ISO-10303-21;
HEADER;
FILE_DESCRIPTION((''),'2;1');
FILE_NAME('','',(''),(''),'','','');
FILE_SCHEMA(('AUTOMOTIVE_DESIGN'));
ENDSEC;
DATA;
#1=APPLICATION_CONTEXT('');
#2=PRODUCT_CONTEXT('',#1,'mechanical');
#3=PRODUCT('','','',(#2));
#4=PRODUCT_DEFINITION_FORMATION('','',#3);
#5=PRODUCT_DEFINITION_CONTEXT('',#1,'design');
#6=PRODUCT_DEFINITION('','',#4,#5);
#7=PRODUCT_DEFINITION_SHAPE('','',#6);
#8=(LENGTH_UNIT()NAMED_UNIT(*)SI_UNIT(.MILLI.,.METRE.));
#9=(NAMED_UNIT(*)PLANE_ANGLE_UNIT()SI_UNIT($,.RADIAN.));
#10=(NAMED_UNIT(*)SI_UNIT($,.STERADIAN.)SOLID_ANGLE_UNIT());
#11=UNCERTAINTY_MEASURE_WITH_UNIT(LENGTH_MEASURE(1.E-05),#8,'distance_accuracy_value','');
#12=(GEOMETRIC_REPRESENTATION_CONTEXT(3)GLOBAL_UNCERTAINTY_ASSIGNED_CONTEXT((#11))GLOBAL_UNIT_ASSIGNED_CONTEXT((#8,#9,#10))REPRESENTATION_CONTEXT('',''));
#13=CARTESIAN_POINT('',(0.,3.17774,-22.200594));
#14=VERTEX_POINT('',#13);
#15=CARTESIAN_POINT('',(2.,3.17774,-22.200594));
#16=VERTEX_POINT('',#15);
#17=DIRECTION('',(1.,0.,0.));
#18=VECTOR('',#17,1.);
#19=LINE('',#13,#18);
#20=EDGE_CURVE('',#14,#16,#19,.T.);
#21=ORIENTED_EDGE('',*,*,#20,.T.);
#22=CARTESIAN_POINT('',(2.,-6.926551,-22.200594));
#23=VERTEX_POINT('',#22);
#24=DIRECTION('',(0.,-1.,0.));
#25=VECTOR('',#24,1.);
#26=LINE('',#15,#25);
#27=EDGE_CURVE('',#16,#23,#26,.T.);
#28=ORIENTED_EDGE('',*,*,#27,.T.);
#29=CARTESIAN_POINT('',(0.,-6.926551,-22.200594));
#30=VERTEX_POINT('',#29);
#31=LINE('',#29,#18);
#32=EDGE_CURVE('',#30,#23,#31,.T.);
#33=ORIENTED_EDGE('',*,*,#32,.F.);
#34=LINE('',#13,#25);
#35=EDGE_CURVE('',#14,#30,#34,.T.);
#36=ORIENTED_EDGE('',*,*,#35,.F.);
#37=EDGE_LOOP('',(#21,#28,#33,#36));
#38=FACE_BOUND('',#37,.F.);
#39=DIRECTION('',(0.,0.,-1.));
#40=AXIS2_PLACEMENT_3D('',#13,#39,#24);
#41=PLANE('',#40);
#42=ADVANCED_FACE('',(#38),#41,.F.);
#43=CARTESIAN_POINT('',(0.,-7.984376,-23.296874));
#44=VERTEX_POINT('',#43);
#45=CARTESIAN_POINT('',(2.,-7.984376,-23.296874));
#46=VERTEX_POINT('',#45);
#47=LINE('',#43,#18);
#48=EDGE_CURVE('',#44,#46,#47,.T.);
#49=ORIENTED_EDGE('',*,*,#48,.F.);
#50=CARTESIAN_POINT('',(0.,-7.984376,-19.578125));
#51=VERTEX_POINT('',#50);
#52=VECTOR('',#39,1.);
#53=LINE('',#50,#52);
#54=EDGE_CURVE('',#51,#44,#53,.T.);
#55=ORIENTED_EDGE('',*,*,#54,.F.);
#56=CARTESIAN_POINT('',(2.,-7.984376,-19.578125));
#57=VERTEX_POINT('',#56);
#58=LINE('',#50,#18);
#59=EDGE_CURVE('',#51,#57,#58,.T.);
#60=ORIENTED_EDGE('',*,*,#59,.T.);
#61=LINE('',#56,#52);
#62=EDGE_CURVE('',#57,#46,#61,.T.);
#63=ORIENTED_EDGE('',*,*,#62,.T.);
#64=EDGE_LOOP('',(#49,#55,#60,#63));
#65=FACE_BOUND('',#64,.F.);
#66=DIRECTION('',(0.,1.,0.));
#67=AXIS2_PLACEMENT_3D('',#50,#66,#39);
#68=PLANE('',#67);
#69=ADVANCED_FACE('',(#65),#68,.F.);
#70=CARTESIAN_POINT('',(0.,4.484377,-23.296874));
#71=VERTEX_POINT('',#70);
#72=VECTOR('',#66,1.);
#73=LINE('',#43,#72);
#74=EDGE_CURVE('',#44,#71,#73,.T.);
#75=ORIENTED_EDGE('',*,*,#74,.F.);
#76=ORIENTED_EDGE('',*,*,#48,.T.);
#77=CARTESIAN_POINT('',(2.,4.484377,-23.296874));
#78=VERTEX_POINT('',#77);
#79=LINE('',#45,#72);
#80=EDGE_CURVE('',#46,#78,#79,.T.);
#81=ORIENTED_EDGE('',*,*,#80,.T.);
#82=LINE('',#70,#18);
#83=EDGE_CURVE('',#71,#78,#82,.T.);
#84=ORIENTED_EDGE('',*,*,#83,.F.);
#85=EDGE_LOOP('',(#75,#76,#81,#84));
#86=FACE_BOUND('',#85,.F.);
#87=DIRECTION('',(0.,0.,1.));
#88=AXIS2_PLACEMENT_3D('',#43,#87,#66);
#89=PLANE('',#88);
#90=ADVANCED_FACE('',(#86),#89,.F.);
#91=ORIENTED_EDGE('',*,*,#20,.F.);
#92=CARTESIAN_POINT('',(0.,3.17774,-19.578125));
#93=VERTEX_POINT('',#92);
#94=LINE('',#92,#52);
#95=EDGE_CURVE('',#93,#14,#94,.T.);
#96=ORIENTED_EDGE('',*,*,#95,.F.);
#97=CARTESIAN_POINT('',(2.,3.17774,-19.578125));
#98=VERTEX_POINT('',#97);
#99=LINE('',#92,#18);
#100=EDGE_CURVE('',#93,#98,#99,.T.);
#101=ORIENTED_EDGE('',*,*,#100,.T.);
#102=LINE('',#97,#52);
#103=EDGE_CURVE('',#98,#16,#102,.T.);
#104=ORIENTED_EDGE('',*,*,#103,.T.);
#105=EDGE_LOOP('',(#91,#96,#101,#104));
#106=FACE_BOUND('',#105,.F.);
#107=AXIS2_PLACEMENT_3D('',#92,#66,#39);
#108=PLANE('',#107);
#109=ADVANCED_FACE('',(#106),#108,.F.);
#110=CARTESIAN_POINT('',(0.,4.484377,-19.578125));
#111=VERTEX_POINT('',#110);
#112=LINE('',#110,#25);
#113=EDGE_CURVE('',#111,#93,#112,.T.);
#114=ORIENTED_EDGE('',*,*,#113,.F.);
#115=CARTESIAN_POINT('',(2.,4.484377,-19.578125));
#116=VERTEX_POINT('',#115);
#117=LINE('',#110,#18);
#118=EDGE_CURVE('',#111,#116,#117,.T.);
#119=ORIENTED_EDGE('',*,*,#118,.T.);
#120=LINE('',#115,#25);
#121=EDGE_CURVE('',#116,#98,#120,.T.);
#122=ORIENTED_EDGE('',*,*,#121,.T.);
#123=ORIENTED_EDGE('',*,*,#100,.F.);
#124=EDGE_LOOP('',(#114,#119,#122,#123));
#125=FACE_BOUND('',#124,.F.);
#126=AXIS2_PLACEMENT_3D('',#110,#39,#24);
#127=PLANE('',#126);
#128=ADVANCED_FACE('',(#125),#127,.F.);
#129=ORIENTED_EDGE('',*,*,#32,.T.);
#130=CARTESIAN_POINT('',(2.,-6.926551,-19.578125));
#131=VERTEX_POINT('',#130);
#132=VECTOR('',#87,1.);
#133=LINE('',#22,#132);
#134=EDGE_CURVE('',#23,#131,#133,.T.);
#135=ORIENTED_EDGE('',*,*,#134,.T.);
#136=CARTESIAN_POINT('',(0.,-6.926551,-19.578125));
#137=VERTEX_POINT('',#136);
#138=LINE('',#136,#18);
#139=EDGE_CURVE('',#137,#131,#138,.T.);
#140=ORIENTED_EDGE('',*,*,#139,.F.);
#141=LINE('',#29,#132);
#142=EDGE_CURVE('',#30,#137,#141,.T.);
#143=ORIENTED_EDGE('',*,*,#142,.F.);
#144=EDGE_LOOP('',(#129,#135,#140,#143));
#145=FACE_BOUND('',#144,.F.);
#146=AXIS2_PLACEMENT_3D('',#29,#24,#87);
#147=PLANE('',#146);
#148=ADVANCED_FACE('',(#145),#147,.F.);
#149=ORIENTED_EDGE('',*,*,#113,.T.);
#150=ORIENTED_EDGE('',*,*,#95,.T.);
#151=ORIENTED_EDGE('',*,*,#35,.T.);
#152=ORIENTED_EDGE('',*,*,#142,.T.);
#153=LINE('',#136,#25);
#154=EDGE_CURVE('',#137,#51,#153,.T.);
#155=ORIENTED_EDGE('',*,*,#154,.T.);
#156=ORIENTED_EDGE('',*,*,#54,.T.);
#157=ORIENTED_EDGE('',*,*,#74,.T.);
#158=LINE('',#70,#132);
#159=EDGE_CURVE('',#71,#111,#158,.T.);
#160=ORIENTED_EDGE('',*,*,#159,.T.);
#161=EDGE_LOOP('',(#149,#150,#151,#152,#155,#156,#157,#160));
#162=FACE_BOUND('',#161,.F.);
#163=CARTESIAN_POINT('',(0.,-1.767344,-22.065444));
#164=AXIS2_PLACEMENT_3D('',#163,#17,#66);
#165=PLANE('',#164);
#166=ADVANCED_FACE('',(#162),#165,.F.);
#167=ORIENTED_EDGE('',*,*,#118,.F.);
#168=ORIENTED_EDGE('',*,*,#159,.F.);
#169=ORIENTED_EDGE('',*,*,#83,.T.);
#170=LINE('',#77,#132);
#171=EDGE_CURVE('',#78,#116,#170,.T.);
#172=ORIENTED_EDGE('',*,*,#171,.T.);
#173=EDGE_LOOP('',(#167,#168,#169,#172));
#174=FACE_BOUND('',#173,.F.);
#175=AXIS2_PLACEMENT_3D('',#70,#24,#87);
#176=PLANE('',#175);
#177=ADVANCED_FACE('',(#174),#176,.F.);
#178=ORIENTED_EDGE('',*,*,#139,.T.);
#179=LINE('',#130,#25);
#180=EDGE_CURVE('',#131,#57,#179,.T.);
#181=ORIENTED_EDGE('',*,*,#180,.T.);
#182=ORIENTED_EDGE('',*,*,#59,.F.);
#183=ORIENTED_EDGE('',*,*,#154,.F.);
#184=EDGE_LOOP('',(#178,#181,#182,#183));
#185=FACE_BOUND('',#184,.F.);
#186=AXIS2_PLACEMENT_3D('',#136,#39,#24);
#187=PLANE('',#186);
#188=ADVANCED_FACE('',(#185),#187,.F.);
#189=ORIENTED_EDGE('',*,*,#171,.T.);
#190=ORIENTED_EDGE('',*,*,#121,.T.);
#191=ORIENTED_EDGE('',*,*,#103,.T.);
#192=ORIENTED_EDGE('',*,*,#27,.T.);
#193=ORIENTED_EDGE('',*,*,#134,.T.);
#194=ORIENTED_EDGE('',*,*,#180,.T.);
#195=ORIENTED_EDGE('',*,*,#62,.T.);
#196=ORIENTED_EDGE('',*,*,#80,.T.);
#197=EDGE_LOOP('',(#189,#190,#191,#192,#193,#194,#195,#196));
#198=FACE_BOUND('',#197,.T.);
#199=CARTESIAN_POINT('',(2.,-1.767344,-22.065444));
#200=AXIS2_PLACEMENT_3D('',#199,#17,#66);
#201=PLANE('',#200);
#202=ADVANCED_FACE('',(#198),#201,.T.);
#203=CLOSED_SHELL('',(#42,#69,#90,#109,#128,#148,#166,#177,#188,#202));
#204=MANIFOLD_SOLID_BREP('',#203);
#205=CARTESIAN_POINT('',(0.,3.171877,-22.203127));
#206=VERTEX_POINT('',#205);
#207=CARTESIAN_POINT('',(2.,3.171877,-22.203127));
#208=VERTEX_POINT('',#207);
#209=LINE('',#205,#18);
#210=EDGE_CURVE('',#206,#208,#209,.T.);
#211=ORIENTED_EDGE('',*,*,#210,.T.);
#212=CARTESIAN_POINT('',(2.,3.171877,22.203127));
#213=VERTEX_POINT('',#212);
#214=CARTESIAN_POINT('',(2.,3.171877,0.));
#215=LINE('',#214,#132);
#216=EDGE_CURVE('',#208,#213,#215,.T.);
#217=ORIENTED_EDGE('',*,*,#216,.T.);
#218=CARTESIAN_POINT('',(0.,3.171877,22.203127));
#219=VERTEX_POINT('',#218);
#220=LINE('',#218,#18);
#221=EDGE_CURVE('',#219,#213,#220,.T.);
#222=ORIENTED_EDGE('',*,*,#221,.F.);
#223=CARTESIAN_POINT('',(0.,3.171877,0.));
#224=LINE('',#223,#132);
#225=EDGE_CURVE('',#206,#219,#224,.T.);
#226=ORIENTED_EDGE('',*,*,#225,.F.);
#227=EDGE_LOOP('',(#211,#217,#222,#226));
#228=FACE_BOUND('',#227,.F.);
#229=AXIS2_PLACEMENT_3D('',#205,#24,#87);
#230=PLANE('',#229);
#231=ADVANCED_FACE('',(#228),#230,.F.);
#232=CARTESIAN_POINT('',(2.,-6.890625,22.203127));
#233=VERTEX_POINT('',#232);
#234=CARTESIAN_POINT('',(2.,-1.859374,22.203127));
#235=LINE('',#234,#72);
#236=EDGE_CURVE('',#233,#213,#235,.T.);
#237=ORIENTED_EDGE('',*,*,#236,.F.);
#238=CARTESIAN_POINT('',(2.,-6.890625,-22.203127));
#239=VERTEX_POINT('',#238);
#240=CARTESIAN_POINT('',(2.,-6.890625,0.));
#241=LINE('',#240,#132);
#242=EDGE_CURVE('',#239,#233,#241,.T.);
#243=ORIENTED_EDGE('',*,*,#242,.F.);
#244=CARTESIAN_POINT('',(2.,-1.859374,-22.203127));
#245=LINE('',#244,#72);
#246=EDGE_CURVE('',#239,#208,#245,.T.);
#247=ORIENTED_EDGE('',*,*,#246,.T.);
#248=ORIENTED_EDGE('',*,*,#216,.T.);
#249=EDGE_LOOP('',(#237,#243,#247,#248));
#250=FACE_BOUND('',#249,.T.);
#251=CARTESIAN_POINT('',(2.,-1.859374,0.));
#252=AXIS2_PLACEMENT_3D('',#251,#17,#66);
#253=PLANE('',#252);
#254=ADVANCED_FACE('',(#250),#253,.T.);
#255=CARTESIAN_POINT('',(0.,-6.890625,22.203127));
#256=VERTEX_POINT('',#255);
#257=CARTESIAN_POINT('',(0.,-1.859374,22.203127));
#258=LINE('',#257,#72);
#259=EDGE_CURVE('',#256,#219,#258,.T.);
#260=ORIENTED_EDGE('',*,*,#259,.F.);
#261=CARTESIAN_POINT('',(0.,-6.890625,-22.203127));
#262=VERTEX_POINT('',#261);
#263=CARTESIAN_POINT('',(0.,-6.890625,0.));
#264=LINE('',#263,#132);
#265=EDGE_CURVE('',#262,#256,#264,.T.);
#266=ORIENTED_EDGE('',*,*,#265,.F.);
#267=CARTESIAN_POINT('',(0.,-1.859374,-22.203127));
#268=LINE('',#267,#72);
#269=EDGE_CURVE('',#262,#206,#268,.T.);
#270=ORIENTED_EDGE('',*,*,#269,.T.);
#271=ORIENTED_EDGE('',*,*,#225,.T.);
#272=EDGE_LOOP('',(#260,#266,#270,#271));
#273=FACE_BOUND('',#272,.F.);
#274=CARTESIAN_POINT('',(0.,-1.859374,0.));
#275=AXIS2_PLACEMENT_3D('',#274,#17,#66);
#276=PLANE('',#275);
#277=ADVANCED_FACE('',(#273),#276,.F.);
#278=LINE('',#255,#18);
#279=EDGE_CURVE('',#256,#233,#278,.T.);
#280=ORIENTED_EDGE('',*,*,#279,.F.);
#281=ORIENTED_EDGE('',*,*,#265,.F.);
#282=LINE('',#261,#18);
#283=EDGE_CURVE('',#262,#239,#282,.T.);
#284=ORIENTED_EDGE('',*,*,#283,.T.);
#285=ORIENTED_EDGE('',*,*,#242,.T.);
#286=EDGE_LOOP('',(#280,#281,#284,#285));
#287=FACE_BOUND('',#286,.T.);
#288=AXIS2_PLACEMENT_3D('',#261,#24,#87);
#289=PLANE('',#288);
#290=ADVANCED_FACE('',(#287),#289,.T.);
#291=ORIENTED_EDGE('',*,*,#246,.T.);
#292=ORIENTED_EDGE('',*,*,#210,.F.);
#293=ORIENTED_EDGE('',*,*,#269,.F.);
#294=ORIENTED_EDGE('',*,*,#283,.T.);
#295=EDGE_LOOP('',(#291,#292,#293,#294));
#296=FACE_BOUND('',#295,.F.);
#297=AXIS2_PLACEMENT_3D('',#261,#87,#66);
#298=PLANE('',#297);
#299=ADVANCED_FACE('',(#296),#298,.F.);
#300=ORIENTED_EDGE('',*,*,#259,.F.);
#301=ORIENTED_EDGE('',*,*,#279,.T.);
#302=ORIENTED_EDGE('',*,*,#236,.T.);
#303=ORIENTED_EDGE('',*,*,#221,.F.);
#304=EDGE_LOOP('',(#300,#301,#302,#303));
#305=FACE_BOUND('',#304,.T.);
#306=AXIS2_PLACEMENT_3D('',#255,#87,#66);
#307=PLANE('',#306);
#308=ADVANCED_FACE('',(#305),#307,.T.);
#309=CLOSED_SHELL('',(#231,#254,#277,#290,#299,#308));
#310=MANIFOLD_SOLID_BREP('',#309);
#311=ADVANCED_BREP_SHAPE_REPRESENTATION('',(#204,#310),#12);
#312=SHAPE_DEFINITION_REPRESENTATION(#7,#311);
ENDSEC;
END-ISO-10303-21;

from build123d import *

# Parameters (mm, degrees)
F0_W     = 10.062503
F0_H     = 44.406254
F1_DEPTH = 2
F3_DEPTH = 2


with BuildPart() as f1:
    # F0 (on Right) → F1 (new body)
    with BuildSketch(Plane.YZ):
        with Locations((-1.859374, 0)):
            Rectangle(F0_W, F0_H)
    extrude(amount=F1_DEPTH)


with BuildPart() as f3:
    # F2 (on Right) → F3 (new body)
    with BuildSketch(Plane.YZ):
        Polygon((-6.926551, -19.578125), (-7.984376, -19.578125), (-7.984376, -23.296874), (4.484377, -23.296874), (4.484377, -19.578125), (3.17774, -19.578125), (3.17774, -22.200594), (-6.926551, -22.200594), align=None)
    extrude(amount=F3_DEPTH)


solid = Compound([f1.part, f3.part])
